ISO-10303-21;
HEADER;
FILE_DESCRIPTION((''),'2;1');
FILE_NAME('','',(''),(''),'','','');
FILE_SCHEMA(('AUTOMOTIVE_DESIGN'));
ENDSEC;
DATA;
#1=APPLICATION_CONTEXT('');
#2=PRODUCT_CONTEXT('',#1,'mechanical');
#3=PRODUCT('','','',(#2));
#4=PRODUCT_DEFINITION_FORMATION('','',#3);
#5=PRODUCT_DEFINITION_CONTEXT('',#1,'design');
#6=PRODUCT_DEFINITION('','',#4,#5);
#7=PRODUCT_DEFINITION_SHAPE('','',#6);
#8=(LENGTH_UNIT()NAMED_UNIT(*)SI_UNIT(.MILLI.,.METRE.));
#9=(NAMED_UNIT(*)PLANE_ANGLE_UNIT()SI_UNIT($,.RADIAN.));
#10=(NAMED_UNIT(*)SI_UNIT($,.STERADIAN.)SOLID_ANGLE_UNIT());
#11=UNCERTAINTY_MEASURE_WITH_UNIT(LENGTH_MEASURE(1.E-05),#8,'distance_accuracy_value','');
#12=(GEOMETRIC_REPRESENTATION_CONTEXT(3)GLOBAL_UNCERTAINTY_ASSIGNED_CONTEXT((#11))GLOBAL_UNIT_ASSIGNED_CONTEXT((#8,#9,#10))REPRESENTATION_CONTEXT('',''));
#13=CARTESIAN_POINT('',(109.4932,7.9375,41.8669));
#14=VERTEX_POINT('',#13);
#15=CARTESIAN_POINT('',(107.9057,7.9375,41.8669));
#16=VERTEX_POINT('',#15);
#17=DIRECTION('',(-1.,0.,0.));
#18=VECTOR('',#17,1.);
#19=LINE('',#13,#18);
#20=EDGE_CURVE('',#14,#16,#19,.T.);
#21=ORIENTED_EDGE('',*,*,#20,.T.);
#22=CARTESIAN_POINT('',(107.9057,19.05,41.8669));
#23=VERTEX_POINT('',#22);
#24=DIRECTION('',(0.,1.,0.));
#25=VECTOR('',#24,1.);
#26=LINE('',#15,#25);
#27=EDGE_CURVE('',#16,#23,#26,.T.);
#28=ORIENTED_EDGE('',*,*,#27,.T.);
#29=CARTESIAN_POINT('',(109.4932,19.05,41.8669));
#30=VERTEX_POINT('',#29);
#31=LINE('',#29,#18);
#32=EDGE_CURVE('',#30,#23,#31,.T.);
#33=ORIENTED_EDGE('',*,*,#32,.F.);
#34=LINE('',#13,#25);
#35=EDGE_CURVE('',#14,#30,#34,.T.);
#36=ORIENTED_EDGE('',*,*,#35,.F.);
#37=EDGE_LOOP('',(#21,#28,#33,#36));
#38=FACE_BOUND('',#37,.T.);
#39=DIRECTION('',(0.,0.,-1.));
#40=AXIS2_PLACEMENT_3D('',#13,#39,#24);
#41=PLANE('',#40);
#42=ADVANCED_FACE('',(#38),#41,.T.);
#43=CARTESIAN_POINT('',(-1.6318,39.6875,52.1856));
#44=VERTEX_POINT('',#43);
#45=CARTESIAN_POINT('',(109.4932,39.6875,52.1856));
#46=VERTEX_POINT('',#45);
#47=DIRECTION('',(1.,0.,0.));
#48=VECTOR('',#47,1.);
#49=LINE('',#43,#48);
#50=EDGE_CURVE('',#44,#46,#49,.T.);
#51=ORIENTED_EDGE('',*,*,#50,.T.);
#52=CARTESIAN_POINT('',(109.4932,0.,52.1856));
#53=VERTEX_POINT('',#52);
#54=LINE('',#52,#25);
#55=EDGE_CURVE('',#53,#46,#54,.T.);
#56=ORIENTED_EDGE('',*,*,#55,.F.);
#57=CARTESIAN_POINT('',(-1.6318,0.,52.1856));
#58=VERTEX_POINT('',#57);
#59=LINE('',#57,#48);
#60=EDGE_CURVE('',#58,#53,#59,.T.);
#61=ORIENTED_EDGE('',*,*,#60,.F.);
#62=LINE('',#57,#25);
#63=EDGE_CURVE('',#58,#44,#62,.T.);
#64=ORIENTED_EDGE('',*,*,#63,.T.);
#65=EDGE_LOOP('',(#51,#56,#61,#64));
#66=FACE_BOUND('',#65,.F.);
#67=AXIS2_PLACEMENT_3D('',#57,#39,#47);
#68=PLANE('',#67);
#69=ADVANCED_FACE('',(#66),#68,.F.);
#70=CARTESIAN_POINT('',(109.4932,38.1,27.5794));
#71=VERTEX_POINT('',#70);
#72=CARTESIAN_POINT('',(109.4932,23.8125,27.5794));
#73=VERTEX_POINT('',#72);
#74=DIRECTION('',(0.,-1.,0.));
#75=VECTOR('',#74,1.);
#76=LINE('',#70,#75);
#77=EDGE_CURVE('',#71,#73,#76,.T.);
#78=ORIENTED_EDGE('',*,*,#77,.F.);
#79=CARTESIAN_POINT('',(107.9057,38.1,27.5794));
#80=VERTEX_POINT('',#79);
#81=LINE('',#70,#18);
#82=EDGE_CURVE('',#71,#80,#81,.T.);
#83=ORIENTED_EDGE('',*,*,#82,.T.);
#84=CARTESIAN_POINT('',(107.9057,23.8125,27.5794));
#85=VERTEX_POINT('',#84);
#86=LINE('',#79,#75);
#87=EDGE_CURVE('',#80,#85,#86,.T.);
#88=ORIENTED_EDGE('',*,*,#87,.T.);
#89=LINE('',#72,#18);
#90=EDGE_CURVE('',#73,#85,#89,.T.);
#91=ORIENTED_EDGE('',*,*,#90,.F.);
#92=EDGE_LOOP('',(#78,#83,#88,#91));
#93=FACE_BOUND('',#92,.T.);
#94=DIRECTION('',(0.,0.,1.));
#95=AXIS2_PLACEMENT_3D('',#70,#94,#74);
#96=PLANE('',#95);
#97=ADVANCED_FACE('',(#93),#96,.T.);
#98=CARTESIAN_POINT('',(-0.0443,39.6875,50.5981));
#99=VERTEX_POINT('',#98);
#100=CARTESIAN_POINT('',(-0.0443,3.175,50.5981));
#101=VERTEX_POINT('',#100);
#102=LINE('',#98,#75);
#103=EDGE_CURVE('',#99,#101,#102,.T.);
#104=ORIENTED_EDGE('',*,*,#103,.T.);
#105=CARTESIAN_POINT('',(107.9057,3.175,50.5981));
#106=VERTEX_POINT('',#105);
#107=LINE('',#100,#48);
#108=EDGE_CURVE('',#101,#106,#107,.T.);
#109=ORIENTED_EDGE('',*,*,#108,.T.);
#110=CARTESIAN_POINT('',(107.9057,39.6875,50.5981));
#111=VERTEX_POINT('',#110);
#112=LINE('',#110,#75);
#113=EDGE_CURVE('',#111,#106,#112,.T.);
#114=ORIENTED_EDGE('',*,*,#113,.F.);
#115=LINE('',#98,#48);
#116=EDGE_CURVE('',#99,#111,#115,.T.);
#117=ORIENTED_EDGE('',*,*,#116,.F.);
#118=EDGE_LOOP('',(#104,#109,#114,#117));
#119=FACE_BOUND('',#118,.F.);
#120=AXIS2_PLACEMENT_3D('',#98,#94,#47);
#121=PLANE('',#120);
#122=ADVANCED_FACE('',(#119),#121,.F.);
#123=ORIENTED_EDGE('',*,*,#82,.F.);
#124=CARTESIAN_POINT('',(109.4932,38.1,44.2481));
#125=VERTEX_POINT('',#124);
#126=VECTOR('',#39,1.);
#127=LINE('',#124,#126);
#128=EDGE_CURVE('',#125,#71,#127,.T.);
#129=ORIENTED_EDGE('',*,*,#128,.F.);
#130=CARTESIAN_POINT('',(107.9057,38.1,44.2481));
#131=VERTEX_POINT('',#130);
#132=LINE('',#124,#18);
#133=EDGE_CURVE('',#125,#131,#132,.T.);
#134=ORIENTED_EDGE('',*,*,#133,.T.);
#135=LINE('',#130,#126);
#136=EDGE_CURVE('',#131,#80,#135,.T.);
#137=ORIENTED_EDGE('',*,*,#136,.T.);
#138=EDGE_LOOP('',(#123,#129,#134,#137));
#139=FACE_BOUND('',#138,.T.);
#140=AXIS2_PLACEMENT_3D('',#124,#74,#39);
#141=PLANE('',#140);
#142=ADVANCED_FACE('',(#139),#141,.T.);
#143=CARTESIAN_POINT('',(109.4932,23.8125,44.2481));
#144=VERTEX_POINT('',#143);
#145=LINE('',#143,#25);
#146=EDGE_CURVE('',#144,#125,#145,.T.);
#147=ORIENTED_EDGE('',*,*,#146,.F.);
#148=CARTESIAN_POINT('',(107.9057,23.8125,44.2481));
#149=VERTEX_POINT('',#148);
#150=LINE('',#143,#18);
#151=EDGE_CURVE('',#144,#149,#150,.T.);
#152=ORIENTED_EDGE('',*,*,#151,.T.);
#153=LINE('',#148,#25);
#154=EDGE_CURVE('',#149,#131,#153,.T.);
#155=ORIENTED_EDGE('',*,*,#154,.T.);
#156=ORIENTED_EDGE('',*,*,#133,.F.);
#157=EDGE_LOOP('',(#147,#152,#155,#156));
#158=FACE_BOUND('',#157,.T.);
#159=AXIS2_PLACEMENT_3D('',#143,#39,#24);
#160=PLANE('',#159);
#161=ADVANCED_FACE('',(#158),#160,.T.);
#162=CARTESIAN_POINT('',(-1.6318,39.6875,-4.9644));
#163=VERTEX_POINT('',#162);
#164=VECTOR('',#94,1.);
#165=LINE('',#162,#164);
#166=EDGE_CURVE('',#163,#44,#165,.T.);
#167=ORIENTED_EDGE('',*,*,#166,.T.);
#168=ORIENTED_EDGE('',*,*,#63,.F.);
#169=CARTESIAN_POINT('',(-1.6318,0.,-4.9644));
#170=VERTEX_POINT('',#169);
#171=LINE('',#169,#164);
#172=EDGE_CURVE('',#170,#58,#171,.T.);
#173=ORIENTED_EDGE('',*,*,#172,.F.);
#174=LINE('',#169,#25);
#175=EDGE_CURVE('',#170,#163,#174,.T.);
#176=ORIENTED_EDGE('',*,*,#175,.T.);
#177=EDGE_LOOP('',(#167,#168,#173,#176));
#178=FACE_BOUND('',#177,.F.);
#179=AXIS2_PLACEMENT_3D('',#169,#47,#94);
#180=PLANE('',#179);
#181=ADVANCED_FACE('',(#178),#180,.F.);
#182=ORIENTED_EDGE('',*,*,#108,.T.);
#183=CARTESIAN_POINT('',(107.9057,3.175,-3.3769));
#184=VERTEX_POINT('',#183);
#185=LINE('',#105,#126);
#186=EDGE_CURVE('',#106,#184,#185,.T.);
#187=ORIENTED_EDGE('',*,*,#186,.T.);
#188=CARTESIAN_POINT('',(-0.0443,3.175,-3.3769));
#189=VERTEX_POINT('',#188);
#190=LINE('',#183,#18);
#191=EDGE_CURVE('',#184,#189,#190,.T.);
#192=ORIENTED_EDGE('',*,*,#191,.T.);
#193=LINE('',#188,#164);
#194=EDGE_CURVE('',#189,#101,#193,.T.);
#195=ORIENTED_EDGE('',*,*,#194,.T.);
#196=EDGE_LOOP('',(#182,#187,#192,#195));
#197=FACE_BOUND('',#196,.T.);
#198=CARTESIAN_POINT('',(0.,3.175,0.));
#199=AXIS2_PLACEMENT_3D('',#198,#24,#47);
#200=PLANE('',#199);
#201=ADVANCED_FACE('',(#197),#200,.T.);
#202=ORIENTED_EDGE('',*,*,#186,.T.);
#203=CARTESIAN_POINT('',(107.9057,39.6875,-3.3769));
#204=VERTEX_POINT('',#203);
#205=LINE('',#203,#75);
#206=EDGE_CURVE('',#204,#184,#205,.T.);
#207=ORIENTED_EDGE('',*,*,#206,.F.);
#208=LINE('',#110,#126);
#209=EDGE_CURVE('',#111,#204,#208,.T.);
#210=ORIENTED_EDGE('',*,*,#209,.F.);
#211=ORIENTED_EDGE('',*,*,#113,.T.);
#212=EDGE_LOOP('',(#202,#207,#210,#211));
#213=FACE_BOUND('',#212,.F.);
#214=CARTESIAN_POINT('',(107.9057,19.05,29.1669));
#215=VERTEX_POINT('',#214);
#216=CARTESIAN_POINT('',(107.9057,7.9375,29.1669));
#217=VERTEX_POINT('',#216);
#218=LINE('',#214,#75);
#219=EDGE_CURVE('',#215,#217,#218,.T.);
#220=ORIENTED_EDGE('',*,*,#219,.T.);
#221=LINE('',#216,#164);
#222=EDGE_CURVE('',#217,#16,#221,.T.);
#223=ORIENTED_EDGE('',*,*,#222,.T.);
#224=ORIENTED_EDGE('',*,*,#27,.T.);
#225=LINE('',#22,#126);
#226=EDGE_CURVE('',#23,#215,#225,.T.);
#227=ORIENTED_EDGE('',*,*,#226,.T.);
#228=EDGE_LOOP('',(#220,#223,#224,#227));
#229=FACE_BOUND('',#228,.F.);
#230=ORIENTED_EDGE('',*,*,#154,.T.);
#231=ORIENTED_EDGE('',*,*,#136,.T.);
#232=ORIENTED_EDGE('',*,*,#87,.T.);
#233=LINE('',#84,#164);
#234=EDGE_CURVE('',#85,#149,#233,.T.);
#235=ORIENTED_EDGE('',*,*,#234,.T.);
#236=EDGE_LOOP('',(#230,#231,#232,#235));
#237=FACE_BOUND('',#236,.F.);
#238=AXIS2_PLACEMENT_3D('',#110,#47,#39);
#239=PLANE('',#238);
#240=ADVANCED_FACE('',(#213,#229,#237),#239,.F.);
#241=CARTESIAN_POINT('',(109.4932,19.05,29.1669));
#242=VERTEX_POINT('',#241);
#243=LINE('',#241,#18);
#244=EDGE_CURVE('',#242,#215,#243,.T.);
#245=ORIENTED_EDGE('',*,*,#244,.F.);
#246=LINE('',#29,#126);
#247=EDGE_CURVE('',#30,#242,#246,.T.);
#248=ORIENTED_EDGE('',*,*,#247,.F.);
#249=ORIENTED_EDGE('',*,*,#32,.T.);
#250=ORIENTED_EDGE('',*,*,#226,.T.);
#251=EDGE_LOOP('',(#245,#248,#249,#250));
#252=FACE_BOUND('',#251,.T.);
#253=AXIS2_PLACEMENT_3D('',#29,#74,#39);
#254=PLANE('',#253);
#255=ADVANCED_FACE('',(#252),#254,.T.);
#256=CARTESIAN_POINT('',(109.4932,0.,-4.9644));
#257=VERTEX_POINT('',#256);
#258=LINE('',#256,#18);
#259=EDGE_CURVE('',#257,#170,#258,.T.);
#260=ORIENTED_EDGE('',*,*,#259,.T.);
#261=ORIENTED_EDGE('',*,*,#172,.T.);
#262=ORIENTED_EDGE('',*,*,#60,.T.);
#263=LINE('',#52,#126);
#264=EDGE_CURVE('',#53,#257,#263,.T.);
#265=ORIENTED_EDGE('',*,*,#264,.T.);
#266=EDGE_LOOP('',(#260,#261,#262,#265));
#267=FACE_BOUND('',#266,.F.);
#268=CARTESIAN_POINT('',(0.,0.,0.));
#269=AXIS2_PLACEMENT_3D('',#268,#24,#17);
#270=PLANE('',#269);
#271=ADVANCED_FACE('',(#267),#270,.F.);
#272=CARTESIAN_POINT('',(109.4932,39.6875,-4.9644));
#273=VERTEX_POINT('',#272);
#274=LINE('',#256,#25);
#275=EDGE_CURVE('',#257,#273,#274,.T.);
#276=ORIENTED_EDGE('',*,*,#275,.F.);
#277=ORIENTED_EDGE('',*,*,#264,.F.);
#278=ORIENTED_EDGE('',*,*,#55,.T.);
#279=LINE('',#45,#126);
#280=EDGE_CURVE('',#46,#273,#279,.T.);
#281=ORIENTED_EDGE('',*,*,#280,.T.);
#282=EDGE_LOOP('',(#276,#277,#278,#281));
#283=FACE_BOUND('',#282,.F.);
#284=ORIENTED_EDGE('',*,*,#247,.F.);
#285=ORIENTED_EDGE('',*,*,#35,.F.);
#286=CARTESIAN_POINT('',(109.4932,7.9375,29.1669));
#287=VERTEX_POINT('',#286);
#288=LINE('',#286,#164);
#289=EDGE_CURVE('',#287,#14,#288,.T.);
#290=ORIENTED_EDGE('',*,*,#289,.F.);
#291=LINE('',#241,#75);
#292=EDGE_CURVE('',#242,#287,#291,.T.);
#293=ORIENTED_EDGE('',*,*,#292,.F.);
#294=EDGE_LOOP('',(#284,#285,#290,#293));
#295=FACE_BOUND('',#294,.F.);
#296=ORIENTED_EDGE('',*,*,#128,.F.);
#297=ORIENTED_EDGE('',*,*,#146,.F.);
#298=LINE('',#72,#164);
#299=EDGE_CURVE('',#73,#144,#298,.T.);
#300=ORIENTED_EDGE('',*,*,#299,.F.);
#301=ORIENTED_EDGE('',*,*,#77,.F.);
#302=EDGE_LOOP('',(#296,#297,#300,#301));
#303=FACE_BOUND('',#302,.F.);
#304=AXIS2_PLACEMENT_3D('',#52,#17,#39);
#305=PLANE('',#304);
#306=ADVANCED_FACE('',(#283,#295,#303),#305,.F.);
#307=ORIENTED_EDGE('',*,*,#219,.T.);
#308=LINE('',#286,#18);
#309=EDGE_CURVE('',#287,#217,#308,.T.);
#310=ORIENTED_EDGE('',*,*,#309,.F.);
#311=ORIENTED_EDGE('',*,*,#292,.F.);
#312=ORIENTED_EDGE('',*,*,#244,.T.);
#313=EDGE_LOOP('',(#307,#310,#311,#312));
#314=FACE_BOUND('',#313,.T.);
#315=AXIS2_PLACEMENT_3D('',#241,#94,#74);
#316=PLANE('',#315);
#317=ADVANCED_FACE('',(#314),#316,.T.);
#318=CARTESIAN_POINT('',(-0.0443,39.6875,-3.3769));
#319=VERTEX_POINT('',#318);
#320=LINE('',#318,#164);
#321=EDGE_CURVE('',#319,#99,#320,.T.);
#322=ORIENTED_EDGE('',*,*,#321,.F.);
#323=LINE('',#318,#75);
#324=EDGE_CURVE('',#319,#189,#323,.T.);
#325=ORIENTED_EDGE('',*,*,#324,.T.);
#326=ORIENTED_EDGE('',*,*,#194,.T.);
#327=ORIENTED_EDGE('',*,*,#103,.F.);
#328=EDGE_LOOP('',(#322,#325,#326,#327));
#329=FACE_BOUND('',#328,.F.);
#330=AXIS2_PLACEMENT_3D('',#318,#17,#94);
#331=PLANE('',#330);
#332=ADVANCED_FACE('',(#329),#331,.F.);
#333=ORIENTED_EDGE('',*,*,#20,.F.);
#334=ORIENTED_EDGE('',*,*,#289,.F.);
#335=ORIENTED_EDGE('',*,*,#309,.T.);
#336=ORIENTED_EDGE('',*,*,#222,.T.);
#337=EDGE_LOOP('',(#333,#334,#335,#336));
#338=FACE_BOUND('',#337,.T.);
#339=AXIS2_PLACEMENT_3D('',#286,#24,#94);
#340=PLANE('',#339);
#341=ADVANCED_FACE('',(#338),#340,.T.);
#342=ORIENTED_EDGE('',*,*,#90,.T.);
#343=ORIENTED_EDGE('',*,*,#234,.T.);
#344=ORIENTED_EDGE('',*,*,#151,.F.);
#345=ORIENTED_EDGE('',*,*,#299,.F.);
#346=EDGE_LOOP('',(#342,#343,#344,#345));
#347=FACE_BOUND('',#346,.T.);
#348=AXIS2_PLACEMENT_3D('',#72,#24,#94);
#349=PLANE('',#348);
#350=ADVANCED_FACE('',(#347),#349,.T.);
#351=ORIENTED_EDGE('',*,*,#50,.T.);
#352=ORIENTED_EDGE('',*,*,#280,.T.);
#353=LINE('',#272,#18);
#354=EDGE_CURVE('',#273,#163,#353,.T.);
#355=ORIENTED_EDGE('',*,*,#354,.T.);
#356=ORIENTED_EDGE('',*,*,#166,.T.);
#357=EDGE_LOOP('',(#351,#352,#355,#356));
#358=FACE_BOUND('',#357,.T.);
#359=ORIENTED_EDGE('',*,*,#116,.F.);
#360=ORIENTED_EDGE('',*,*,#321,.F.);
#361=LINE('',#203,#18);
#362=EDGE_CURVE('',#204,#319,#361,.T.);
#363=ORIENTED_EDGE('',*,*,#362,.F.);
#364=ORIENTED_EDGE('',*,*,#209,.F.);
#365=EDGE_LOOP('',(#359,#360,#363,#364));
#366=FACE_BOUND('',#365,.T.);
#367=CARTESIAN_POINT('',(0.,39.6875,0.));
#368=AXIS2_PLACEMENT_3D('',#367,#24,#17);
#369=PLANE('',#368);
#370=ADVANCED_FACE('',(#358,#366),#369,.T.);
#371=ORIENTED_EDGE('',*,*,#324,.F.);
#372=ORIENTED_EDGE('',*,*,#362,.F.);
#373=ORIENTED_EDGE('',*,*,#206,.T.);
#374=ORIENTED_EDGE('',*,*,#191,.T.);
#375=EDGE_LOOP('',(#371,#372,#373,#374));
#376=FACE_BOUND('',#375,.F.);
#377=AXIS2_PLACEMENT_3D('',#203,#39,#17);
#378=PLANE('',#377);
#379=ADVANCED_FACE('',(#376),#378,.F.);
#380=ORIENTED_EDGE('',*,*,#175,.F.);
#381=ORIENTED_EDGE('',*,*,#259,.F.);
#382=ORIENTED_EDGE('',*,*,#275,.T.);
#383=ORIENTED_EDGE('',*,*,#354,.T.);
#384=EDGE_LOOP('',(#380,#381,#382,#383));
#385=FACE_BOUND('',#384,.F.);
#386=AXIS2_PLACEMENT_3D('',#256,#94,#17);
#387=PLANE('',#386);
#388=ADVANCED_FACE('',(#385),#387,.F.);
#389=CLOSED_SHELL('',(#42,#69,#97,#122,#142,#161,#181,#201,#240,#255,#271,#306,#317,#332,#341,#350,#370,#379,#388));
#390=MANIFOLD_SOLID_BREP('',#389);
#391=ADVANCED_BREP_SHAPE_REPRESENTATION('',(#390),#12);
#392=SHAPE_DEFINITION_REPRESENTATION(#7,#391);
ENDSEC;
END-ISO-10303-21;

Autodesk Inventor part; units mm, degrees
ref_plane "YZ Plane" through (0, 0, 0) normal (1, 0, 0) x (0, 1, 0)
ref_plane "XZ Plane" through (0, 0, 0) normal (0, 1, 0) x (-1, 0, 0)
ref_plane "XY Plane" through (0, 0, 0) normal (0, 0, 1) x (1, 0, 0)
sketch "Sketch1" plane through (0, 0, 0) normal (0, 1, 0) x (-1, 0, 0)
  line L0 (1.6318, 52.1856) -> (-109.4932, 52.1856)
  line L1 (-109.4932, 52.1856) -> (-109.4932, -4.9644)
  line L2 (-109.4932, -4.9644) -> (1.6318, -4.9644)
  line L3 (1.6318, -4.9644) -> (1.6318, 52.1856)
  point P0 (0, 0)
extrude "Extrusion1" add sketch "Sketch1" along normal blind 39.6875
sketch "Sketch2" plane through (0, 39.6875, 0) normal (0, 1, 0) x (1, 0, 0)
  line L0 (-0.0443, -50.5981) -> (107.9057, -50.5981)
  line L1 (107.9057, -50.5981) -> (107.9057, 3.3769)
  line L2 (107.9057, 3.3769) -> (-0.0443, 3.3769)
  line L3 (-0.0443, 3.3769) -> (-0.0443, -50.5981)
  line L4 (-1.6318, -52.1856) -> (109.4932, -52.1856) projected
  line L5 (109.4932, 4.9644) -> (-1.6318, 4.9644) projected
  line L6 (-1.6318, 4.9644) -> (-1.6318, -52.1856) projected
  line L7 (109.4932, -52.1856) -> (109.4932, 4.9644) projected
  point P0 (0, 0)
  dimension "d8" = 1.5875
  dimension "d9" = 1.5875
  dimension "d10" = 1.5875
  dimension "d11" = 1.5875
extrude "Extrusion2" cut sketch "Sketch2" against normal blind 36.5125 contours L3 L2 L1 L0
sketch "Sketch3" plane through (109.4932, 0, 52.1856) normal (1, 0, 0) x (0, 0, -1)
  line L0 (10.3187, 19.05) -> (23.0187, 19.05)
  line L1 (23.0187, 19.05) -> (23.0187, 7.9375)
  line L2 (23.0187, 7.9375) -> (10.3187, 7.9375)
  line L3 (10.3187, 7.9375) -> (10.3187, 19.05)
  line L4 (0, 0) -> (57.15, 0) projected
  line L5 (0, 0) -> (0, 39.6875) projected
  line L6 (7.9375, 38.1) -> (24.6062, 38.1)
  line L7 (24.6062, 38.1) -> (24.6062, 23.8125)
  line L8 (24.6062, 23.8125) -> (7.9375, 23.8125)
  line L9 (7.9375, 23.8125) -> (7.9375, 38.1)
  line L10 (0, 39.6875) -> (57.15, 39.6875) projected
  line L11 (55.5625, 3.175) -> (1.5875, 3.175) projected
  line L12 (1.5875, 39.6875) -> (1.5875, 3.175) projected
  point P0 (52.1856, 0)
  point P1 (55.5625, 39.6875)
  point P2 (1.5875, 0)
  dimension "d14" = 12.7
  dimension "d15" = 11.1125
  dimension "d18" = 16.6687
  dimension "d19" = 14.2875
  dimension "d23" = 4.7625
  dimension "d28" = 4.7625
  dimension "d29" = 8.7312
  dimension "d30" = 6.35
  dimension "d34" = 1.5875
extrude "Extrusion3" cut sketch "Sketch3" against normal up to surface (1.5875 mm away)
properties part number "SD_BaseStation_Box"
